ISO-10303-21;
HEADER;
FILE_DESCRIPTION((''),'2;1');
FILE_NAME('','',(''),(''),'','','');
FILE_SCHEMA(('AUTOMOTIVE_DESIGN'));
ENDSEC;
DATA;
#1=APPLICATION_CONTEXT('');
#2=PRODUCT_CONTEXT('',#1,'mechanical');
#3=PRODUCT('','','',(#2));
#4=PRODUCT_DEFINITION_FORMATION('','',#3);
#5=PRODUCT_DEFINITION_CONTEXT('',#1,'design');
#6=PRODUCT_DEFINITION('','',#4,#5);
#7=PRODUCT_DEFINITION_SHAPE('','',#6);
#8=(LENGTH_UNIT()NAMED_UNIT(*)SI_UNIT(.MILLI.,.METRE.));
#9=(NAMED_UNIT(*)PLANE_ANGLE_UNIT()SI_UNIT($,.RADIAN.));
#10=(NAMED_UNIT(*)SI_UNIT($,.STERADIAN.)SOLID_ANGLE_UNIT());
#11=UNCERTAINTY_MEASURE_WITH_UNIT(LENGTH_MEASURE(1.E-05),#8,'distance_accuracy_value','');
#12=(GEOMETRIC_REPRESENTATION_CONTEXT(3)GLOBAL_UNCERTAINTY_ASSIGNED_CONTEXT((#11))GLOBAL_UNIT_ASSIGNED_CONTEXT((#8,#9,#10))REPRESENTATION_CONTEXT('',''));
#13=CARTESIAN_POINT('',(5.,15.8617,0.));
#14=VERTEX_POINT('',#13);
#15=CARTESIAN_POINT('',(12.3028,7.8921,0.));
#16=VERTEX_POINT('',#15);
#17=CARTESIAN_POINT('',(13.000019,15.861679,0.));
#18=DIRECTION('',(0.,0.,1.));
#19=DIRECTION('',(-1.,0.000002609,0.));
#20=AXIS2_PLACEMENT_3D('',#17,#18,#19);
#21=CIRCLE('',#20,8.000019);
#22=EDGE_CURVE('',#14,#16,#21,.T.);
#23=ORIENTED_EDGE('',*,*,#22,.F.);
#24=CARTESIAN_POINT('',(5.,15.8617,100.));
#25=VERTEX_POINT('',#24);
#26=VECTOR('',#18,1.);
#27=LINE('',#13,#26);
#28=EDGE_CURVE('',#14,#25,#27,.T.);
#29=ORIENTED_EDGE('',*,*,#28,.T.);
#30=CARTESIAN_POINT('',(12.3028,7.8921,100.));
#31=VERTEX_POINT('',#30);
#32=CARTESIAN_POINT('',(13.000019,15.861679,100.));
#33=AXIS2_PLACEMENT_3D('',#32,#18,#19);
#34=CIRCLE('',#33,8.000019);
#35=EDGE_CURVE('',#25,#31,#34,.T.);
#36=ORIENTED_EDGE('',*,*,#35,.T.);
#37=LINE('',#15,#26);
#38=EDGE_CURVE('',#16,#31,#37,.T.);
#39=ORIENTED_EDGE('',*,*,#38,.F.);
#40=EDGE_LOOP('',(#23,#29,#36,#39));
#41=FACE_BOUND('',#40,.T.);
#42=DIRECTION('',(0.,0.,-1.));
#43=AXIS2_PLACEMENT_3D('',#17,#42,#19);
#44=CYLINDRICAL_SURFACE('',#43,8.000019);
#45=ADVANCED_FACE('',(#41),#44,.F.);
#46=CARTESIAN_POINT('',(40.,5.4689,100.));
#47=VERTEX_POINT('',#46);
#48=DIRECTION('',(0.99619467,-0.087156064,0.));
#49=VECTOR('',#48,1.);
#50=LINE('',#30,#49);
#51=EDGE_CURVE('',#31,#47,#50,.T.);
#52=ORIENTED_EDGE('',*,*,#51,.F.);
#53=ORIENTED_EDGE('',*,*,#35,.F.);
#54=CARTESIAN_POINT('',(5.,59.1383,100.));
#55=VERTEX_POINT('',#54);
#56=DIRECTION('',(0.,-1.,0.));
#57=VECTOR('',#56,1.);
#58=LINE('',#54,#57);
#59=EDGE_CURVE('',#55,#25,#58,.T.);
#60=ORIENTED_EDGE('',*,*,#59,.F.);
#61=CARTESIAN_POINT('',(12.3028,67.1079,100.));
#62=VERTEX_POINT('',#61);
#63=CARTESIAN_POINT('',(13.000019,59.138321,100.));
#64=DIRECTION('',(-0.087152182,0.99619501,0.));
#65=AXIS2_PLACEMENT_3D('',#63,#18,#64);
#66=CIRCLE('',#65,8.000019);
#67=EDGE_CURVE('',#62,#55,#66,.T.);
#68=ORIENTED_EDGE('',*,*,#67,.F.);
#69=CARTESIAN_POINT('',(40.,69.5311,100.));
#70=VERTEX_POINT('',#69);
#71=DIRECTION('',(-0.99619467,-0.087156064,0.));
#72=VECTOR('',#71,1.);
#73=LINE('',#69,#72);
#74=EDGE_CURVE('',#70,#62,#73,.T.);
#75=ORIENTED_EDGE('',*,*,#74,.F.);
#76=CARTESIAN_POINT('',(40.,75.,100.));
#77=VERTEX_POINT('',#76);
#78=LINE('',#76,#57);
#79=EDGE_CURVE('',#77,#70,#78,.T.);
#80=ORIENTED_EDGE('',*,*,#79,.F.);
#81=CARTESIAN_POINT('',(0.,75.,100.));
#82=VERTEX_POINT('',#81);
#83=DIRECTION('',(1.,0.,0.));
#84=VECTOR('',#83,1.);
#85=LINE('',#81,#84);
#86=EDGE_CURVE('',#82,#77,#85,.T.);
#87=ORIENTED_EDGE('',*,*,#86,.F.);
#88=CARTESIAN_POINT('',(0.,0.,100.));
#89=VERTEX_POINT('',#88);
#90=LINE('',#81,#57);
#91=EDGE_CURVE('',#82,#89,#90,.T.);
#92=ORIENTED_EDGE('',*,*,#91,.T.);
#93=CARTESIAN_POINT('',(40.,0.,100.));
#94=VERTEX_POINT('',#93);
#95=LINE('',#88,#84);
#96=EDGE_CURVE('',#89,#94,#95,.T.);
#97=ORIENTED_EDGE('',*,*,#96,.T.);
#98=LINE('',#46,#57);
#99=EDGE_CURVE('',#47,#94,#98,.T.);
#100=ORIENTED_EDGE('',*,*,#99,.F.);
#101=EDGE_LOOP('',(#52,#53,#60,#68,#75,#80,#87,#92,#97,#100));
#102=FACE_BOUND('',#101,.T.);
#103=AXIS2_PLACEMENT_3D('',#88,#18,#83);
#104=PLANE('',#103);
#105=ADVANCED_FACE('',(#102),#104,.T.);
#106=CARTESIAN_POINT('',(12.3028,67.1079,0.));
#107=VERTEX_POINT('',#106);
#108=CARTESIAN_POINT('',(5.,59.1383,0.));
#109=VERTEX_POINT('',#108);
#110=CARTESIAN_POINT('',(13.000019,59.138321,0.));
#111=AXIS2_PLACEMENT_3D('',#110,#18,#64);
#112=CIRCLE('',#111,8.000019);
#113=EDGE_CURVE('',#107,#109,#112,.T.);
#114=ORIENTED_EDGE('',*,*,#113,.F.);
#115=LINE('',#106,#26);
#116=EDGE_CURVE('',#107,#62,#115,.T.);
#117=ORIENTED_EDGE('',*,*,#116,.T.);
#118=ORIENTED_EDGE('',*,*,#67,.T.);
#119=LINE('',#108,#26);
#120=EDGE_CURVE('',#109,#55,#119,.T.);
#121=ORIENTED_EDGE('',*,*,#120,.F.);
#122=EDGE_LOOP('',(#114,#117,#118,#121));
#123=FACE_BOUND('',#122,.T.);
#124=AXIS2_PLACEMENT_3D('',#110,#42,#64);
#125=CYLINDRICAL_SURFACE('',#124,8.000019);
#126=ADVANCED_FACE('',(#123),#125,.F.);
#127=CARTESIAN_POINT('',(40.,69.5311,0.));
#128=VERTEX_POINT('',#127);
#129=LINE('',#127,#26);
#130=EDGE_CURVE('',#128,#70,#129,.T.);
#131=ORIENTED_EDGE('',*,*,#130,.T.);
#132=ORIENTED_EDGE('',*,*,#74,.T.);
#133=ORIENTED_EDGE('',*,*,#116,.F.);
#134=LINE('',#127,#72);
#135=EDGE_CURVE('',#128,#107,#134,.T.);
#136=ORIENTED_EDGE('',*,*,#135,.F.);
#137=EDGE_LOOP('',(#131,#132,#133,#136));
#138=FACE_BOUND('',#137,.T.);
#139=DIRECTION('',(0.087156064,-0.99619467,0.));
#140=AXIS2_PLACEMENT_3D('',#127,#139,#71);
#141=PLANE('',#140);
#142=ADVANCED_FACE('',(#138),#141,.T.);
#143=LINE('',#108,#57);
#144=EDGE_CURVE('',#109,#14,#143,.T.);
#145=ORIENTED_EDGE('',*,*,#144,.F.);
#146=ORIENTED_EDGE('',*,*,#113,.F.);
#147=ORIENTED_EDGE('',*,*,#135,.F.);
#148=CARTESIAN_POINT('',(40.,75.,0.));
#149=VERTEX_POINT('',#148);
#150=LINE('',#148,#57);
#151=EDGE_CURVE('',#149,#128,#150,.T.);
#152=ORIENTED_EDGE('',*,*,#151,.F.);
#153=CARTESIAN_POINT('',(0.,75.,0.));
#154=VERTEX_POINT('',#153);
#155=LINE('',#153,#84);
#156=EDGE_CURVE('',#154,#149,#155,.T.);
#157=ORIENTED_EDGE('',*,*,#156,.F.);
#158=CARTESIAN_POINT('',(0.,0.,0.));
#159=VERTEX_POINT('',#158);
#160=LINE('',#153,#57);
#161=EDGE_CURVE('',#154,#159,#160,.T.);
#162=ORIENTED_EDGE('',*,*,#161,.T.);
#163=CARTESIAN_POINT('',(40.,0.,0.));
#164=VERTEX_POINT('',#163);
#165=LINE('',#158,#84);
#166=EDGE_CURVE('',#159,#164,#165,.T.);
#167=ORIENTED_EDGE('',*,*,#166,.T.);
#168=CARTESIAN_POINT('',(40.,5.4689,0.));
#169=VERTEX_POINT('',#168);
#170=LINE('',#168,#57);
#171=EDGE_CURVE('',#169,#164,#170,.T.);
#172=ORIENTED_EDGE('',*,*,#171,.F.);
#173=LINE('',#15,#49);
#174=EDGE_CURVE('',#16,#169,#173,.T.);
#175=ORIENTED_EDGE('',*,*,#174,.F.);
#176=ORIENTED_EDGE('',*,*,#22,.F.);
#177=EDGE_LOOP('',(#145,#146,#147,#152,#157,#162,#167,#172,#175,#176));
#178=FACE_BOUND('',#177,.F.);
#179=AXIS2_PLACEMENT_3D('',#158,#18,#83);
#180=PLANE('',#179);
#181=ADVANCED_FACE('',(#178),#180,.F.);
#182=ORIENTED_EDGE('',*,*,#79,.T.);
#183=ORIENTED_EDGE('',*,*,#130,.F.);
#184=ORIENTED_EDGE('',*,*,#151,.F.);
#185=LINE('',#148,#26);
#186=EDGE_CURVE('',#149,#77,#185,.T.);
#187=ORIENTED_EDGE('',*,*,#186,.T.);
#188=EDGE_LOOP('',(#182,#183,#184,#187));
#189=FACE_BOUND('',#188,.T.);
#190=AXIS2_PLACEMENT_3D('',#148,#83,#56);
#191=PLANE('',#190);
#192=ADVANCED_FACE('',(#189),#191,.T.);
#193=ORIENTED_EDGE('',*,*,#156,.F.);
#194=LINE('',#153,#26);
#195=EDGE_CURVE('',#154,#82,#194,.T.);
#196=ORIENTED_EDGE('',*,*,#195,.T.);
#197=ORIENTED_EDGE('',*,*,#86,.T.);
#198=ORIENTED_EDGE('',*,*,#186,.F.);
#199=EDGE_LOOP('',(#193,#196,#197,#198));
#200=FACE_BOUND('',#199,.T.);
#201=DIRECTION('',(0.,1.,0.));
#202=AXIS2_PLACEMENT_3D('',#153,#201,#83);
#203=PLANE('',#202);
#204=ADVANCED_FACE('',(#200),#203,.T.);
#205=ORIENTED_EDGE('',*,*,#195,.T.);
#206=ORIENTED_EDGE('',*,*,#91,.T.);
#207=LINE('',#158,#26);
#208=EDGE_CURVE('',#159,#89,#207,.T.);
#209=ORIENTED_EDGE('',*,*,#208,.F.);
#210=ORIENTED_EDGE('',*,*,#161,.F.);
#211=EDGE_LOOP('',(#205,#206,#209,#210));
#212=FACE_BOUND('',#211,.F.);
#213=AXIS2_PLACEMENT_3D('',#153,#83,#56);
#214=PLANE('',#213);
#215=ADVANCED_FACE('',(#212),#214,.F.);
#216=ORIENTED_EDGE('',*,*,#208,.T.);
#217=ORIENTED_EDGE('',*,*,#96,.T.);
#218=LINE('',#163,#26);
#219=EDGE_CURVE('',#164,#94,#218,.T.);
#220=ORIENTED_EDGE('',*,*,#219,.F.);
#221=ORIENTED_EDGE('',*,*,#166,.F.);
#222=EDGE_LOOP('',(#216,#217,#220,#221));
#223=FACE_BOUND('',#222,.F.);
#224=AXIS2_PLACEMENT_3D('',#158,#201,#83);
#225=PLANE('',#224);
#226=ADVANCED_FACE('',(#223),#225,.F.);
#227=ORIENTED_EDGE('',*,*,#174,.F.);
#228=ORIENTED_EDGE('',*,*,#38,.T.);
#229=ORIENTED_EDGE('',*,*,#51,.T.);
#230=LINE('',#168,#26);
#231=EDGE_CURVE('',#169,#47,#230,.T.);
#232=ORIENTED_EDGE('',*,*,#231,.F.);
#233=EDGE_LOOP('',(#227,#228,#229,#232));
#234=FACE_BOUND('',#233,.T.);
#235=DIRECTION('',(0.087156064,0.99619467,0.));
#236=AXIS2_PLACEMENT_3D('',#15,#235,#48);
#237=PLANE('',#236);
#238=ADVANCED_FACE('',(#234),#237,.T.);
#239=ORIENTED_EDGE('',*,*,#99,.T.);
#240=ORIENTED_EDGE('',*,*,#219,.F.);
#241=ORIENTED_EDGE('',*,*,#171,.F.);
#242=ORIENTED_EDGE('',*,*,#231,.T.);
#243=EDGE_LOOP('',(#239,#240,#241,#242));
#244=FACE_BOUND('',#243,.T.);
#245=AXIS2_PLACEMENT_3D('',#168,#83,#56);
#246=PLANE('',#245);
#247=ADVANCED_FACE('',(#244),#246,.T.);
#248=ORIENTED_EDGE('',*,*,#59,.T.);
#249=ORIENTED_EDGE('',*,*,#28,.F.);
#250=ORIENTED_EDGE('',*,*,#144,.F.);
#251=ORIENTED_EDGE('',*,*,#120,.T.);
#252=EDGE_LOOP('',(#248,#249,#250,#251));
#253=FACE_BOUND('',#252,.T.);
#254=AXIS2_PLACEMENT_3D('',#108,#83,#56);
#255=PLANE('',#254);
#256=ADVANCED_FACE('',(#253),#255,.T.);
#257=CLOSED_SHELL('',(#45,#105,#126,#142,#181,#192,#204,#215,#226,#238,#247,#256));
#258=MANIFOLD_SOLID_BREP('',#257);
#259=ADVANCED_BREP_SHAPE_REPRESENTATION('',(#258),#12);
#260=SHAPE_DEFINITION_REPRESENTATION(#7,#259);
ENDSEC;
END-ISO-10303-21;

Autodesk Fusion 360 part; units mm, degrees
sketch "スケッチ1" plane through (0, 0, 0) normal (0, 0, 1) x (1, 0, 0)
  line L0 (0, 75) -> (0, 0)
  line L1 (0, 0) -> (40, 0)
  line L2 (40, 5.4689) -> (40, 0)
  line L3 (5, 59.1383) -> (5, 15.8617)
  line L4 (12.3028, 7.8921) -> (40, 5.4689)
  arc A0 (5, 15.8617) -> (12.3028, 7.8921) centre (13, 15.8617) ccw
  line L5 (40, 69.5311) -> (12.3028, 67.1079)
  arc A1 (12.3028, 67.1079) -> (5, 59.1383) centre (13, 59.1383) ccw
  line L6 (0, 75) -> (40, 75)
  line L7 (40, 75) -> (40, 69.5311)
extrude "押し出し1" add sketch "スケッチ1" along normal blind 100
